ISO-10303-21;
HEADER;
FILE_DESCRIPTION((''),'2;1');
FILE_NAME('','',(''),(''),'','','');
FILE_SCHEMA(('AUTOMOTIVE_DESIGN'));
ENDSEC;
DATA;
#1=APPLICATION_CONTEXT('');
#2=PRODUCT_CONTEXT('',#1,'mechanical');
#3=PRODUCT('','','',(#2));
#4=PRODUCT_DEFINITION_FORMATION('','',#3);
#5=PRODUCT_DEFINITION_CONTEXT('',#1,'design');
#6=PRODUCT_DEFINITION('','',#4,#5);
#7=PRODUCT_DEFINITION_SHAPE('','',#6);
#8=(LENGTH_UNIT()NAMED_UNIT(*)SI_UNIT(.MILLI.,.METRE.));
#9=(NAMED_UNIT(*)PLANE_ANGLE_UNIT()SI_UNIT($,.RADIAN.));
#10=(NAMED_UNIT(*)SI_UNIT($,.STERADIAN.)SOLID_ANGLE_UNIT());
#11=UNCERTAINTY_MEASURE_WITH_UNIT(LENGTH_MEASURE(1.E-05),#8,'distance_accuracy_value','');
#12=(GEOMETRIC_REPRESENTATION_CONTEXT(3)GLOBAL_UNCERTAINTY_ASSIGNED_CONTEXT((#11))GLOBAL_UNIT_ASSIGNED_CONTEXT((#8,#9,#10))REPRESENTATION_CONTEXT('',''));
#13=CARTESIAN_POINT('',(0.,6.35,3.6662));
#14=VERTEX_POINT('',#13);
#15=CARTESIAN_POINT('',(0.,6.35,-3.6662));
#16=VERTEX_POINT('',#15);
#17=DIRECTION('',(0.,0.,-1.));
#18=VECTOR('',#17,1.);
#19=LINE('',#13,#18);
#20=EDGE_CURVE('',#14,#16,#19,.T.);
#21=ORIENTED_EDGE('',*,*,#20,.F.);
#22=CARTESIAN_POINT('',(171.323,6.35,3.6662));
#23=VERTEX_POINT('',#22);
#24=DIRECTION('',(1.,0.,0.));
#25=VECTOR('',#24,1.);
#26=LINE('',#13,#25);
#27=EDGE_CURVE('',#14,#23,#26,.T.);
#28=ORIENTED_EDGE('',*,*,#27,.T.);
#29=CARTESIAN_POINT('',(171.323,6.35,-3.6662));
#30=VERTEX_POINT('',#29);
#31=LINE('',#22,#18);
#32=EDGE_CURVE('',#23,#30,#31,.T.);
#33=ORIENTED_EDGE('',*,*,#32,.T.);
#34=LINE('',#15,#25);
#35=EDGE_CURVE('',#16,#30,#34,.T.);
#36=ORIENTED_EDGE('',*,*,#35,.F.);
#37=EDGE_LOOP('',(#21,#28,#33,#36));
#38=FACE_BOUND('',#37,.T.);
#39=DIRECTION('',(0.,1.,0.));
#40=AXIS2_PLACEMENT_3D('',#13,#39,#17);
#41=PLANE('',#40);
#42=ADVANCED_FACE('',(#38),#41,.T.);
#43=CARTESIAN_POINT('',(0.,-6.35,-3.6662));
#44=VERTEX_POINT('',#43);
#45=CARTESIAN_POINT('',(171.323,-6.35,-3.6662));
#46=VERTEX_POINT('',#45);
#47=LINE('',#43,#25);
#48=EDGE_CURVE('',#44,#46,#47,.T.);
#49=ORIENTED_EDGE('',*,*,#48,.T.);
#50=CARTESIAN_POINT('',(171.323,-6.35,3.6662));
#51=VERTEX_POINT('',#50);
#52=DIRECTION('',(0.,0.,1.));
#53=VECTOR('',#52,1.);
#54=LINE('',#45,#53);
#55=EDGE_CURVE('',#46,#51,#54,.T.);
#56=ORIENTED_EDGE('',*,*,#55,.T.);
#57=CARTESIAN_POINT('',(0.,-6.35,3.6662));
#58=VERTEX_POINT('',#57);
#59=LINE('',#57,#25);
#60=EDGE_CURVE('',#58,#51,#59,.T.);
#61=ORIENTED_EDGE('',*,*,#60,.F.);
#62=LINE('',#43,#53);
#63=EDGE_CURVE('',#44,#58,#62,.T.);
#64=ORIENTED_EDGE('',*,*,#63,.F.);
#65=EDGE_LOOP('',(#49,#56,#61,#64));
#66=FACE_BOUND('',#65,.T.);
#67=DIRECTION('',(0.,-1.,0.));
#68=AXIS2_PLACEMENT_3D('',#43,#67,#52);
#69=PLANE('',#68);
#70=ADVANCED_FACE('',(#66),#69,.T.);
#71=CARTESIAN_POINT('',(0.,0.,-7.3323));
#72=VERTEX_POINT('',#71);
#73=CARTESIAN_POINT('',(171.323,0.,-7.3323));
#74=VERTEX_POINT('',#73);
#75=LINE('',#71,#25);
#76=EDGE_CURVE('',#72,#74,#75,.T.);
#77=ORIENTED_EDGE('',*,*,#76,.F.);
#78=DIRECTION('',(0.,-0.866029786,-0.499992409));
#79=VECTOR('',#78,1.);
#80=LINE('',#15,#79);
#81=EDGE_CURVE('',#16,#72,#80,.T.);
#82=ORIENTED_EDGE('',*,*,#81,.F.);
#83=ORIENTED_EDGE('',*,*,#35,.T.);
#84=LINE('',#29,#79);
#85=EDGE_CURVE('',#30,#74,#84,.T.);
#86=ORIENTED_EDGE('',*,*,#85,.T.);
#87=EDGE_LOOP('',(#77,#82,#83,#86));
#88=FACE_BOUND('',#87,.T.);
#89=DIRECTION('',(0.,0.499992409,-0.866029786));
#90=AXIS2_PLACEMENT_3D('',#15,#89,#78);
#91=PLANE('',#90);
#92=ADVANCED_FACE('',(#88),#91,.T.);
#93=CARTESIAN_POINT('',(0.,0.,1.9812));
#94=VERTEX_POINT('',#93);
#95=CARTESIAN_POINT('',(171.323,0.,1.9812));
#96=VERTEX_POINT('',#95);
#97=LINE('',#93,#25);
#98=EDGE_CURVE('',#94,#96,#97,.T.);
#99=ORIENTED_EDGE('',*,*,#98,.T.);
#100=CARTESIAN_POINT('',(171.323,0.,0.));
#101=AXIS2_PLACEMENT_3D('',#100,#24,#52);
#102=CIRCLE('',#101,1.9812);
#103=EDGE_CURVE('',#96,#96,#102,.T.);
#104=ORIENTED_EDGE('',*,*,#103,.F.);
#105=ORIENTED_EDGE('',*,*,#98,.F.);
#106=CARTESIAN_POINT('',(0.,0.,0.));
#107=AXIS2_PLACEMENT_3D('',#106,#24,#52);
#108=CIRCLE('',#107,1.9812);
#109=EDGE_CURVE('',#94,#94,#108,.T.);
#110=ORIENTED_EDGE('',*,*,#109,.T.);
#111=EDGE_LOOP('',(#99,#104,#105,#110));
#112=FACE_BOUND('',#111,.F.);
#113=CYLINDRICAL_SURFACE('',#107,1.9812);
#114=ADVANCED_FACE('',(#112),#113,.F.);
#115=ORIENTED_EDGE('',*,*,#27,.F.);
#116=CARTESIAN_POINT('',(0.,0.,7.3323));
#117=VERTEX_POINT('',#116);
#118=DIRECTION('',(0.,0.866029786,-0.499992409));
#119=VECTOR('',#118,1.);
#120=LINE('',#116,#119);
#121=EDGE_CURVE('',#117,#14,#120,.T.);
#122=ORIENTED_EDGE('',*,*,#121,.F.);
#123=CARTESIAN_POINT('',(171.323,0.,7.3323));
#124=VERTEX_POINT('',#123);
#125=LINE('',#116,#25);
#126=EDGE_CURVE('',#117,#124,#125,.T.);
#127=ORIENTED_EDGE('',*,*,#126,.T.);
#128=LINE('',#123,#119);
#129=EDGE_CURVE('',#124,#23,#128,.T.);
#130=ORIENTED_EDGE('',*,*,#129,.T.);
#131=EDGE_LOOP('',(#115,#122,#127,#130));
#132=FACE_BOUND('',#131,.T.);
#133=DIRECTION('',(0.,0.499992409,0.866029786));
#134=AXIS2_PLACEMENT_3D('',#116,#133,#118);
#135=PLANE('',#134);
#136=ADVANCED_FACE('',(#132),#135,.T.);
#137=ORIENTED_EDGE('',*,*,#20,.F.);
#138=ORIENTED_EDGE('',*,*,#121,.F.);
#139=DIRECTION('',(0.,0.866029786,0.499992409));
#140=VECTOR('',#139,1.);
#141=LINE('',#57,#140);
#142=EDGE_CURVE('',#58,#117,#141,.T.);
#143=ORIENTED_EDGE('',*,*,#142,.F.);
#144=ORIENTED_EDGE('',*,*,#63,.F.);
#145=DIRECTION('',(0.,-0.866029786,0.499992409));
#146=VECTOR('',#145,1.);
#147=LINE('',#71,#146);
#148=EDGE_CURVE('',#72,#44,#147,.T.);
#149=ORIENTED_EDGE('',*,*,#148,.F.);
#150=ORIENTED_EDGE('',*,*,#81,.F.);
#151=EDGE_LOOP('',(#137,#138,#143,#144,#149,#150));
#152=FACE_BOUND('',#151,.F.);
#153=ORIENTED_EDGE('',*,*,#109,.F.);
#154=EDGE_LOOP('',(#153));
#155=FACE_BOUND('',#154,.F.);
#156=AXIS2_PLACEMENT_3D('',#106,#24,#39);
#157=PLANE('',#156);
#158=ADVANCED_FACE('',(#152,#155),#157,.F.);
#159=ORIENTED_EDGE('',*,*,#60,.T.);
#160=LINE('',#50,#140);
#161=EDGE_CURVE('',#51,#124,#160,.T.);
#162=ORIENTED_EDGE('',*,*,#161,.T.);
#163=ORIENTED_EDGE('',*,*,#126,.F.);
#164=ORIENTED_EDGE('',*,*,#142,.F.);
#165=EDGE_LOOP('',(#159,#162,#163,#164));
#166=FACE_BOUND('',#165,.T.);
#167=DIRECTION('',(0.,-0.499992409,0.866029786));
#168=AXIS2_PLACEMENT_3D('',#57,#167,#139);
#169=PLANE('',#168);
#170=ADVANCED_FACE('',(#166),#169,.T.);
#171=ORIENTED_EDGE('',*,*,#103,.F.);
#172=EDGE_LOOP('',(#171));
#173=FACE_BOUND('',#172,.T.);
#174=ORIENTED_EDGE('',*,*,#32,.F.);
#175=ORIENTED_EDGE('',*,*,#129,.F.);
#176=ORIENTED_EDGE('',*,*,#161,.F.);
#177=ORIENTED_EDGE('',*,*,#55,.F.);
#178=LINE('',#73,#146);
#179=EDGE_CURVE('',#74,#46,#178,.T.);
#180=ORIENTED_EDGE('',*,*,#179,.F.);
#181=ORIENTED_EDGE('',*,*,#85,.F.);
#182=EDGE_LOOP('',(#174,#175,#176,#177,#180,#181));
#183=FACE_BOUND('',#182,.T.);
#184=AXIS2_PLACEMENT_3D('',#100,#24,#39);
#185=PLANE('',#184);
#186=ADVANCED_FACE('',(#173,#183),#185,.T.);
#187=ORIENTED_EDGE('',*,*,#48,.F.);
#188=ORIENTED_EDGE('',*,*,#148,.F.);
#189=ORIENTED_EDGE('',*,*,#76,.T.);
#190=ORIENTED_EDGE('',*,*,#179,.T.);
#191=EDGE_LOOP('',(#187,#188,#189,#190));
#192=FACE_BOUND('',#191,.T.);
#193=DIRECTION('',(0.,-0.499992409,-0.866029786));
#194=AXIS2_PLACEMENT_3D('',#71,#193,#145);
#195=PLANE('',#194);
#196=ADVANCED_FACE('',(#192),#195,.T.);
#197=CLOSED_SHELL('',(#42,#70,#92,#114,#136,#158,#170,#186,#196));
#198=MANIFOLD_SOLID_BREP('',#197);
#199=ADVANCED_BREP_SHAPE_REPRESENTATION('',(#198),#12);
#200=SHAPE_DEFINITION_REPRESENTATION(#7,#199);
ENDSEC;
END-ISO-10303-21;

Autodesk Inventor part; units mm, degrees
ref_plane "YZ Plane" through (0, 0, 0) normal (1, 0, 0) x (0, 1, 0)
ref_plane "XZ Plane" through (0, 0, 0) normal (0, 1, 0) x (-1, 0, 0)
ref_plane "XY Plane" through (0, 0, 0) normal (0, 0, 1) x (1, 0, 0)
sketch "Sketch1" plane through (0, 0, 0) normal (1, 0, 0) x (0, 1, 0)
  line L0 (-6.35, -3.6662) -> (-6.35, 3.6662)
  line L1 (-6.35, 3.6662) -> (0, 7.3323)
  line L2 (0, 7.3323) -> (6.35, 3.6662)
  line L3 (6.35, 3.6662) -> (6.35, -3.6662)
  line L4 (6.35, -3.6662) -> (0, -7.3323)
  line L5 (0, -7.3323) -> (-6.35, -3.6662)
  point P0 (0, 0)
  point P1 (0, 0)
  dimension "d0" = 12.7
extrude "Extrusion1" add sketch "Sketch1" along normal blind 171.323
sketch "Sketch2" plane through (0, 0, 0) normal (-1, 0, 0) x (0, 0, 1)
  point P0 (0, 0)
  point P1 (0, 0)
hole "Hole1" at (0, 0, 0) direction (1, 0, 0) diameter 3.9624 end through all thread size "10-32 UNF" class "2B" standard "ANSI Unified Screw Threads"
properties part number "STOCK,SHAFT,HEX,HOOD,WHEELS" material "Aluminum 6061"
